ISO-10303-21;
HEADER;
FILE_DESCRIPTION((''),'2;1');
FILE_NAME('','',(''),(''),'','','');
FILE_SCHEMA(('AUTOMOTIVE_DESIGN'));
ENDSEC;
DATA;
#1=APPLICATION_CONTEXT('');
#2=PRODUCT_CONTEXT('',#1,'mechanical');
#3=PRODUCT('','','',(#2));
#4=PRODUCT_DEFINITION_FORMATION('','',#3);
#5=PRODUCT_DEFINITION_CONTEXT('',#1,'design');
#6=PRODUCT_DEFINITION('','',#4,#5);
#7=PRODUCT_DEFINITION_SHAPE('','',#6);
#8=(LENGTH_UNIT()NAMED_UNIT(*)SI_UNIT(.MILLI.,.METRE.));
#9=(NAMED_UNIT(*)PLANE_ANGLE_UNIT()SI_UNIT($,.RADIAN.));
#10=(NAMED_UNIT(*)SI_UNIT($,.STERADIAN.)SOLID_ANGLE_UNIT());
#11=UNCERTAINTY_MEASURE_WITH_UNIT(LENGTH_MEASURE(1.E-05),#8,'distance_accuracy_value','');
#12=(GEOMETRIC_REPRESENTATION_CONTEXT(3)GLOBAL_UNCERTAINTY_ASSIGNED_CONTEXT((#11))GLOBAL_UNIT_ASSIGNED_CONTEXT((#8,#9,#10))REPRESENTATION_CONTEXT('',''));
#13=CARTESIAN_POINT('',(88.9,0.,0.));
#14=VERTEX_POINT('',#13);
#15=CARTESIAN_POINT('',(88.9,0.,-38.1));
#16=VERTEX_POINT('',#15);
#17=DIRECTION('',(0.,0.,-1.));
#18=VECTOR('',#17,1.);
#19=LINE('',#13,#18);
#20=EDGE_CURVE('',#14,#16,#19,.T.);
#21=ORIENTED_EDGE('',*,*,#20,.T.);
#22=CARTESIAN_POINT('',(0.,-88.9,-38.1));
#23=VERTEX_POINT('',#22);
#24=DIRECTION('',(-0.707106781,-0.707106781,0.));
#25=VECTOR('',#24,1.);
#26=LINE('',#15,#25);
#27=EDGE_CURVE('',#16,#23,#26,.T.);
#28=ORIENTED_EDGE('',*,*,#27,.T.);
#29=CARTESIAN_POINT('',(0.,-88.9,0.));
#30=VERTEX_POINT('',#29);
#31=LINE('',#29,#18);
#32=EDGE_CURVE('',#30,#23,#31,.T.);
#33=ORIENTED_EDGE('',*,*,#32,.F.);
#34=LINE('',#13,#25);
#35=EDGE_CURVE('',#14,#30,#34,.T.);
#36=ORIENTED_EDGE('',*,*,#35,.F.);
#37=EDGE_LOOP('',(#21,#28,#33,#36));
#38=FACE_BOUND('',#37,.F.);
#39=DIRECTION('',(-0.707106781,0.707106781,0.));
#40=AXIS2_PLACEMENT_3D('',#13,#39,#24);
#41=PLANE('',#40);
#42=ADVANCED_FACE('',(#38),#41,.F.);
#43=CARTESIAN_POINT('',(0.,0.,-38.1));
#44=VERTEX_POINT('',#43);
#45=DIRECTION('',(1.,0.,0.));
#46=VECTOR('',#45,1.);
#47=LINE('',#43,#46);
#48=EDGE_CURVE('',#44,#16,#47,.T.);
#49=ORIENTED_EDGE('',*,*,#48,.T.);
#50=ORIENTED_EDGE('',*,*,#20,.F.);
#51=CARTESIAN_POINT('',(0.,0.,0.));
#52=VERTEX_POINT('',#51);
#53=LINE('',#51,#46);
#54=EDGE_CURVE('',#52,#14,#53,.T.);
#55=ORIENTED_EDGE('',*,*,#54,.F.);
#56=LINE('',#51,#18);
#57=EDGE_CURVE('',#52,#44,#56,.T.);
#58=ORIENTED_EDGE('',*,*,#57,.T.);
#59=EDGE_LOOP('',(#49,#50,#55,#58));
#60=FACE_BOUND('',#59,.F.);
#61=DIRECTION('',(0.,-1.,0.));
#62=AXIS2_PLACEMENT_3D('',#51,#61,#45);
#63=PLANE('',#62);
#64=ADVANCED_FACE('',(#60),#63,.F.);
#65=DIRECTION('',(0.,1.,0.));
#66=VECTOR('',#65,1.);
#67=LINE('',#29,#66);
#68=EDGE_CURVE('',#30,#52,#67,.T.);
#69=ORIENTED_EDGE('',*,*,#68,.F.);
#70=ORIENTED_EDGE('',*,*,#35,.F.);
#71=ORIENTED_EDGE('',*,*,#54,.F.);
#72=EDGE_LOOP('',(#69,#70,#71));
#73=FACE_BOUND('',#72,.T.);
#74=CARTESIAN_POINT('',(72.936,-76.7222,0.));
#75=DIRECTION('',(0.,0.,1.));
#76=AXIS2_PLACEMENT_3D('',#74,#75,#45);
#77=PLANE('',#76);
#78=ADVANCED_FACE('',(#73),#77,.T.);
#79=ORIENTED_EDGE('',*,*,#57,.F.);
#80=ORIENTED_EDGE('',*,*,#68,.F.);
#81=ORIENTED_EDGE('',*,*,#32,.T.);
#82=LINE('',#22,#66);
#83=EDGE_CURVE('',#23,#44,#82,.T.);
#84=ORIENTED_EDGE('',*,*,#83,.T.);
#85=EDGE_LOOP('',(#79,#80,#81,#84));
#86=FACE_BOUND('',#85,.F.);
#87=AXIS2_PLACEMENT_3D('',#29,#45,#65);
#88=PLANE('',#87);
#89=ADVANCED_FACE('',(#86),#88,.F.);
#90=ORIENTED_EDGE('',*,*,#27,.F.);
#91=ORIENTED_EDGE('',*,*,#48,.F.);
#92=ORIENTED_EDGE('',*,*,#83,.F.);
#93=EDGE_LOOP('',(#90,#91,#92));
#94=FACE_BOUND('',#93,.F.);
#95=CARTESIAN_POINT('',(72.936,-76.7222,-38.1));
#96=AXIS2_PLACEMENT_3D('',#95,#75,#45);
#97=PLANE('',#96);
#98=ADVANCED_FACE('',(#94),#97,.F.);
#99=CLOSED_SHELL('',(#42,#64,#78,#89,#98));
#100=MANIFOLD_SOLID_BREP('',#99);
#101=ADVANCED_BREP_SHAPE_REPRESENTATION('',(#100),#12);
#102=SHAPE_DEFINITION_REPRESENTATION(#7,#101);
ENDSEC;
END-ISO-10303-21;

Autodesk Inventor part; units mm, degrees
ref_plane "YZ Plane" through (0, 0, 0) normal (1, 0, 0) x (0, 1, 0)
ref_plane "XZ Plane" through (0, 0, 0) normal (0, 1, 0) x (-1, 0, 0)
ref_plane "XY Plane" through (0, 0, 0) normal (0, 0, 1) x (1, 0, 0)
ref_plane "Work Plane1" through (72.936, -76.7222, 0) normal (0, 0, 1) x (1, 0, 0)
sketch "Sketch1" plane through (72.936, -76.7222, 0) normal (0, 0, 1) x (1, 0, 0)
  line L0 (-72.936, 76.7222) -> (15.964, 76.7222)
  line L1 (15.964, 76.7222) -> (-72.936, -12.1778)
  line L2 (-72.936, -12.1778) -> (-72.936, 76.7222)
  dimension "d0" = 88.9
  dimension "d1" = 45
extrude "Extrusion1" add sketch "Sketch1" against normal blind 38.1
properties part number "AesteticTriangle" material "Wood"
